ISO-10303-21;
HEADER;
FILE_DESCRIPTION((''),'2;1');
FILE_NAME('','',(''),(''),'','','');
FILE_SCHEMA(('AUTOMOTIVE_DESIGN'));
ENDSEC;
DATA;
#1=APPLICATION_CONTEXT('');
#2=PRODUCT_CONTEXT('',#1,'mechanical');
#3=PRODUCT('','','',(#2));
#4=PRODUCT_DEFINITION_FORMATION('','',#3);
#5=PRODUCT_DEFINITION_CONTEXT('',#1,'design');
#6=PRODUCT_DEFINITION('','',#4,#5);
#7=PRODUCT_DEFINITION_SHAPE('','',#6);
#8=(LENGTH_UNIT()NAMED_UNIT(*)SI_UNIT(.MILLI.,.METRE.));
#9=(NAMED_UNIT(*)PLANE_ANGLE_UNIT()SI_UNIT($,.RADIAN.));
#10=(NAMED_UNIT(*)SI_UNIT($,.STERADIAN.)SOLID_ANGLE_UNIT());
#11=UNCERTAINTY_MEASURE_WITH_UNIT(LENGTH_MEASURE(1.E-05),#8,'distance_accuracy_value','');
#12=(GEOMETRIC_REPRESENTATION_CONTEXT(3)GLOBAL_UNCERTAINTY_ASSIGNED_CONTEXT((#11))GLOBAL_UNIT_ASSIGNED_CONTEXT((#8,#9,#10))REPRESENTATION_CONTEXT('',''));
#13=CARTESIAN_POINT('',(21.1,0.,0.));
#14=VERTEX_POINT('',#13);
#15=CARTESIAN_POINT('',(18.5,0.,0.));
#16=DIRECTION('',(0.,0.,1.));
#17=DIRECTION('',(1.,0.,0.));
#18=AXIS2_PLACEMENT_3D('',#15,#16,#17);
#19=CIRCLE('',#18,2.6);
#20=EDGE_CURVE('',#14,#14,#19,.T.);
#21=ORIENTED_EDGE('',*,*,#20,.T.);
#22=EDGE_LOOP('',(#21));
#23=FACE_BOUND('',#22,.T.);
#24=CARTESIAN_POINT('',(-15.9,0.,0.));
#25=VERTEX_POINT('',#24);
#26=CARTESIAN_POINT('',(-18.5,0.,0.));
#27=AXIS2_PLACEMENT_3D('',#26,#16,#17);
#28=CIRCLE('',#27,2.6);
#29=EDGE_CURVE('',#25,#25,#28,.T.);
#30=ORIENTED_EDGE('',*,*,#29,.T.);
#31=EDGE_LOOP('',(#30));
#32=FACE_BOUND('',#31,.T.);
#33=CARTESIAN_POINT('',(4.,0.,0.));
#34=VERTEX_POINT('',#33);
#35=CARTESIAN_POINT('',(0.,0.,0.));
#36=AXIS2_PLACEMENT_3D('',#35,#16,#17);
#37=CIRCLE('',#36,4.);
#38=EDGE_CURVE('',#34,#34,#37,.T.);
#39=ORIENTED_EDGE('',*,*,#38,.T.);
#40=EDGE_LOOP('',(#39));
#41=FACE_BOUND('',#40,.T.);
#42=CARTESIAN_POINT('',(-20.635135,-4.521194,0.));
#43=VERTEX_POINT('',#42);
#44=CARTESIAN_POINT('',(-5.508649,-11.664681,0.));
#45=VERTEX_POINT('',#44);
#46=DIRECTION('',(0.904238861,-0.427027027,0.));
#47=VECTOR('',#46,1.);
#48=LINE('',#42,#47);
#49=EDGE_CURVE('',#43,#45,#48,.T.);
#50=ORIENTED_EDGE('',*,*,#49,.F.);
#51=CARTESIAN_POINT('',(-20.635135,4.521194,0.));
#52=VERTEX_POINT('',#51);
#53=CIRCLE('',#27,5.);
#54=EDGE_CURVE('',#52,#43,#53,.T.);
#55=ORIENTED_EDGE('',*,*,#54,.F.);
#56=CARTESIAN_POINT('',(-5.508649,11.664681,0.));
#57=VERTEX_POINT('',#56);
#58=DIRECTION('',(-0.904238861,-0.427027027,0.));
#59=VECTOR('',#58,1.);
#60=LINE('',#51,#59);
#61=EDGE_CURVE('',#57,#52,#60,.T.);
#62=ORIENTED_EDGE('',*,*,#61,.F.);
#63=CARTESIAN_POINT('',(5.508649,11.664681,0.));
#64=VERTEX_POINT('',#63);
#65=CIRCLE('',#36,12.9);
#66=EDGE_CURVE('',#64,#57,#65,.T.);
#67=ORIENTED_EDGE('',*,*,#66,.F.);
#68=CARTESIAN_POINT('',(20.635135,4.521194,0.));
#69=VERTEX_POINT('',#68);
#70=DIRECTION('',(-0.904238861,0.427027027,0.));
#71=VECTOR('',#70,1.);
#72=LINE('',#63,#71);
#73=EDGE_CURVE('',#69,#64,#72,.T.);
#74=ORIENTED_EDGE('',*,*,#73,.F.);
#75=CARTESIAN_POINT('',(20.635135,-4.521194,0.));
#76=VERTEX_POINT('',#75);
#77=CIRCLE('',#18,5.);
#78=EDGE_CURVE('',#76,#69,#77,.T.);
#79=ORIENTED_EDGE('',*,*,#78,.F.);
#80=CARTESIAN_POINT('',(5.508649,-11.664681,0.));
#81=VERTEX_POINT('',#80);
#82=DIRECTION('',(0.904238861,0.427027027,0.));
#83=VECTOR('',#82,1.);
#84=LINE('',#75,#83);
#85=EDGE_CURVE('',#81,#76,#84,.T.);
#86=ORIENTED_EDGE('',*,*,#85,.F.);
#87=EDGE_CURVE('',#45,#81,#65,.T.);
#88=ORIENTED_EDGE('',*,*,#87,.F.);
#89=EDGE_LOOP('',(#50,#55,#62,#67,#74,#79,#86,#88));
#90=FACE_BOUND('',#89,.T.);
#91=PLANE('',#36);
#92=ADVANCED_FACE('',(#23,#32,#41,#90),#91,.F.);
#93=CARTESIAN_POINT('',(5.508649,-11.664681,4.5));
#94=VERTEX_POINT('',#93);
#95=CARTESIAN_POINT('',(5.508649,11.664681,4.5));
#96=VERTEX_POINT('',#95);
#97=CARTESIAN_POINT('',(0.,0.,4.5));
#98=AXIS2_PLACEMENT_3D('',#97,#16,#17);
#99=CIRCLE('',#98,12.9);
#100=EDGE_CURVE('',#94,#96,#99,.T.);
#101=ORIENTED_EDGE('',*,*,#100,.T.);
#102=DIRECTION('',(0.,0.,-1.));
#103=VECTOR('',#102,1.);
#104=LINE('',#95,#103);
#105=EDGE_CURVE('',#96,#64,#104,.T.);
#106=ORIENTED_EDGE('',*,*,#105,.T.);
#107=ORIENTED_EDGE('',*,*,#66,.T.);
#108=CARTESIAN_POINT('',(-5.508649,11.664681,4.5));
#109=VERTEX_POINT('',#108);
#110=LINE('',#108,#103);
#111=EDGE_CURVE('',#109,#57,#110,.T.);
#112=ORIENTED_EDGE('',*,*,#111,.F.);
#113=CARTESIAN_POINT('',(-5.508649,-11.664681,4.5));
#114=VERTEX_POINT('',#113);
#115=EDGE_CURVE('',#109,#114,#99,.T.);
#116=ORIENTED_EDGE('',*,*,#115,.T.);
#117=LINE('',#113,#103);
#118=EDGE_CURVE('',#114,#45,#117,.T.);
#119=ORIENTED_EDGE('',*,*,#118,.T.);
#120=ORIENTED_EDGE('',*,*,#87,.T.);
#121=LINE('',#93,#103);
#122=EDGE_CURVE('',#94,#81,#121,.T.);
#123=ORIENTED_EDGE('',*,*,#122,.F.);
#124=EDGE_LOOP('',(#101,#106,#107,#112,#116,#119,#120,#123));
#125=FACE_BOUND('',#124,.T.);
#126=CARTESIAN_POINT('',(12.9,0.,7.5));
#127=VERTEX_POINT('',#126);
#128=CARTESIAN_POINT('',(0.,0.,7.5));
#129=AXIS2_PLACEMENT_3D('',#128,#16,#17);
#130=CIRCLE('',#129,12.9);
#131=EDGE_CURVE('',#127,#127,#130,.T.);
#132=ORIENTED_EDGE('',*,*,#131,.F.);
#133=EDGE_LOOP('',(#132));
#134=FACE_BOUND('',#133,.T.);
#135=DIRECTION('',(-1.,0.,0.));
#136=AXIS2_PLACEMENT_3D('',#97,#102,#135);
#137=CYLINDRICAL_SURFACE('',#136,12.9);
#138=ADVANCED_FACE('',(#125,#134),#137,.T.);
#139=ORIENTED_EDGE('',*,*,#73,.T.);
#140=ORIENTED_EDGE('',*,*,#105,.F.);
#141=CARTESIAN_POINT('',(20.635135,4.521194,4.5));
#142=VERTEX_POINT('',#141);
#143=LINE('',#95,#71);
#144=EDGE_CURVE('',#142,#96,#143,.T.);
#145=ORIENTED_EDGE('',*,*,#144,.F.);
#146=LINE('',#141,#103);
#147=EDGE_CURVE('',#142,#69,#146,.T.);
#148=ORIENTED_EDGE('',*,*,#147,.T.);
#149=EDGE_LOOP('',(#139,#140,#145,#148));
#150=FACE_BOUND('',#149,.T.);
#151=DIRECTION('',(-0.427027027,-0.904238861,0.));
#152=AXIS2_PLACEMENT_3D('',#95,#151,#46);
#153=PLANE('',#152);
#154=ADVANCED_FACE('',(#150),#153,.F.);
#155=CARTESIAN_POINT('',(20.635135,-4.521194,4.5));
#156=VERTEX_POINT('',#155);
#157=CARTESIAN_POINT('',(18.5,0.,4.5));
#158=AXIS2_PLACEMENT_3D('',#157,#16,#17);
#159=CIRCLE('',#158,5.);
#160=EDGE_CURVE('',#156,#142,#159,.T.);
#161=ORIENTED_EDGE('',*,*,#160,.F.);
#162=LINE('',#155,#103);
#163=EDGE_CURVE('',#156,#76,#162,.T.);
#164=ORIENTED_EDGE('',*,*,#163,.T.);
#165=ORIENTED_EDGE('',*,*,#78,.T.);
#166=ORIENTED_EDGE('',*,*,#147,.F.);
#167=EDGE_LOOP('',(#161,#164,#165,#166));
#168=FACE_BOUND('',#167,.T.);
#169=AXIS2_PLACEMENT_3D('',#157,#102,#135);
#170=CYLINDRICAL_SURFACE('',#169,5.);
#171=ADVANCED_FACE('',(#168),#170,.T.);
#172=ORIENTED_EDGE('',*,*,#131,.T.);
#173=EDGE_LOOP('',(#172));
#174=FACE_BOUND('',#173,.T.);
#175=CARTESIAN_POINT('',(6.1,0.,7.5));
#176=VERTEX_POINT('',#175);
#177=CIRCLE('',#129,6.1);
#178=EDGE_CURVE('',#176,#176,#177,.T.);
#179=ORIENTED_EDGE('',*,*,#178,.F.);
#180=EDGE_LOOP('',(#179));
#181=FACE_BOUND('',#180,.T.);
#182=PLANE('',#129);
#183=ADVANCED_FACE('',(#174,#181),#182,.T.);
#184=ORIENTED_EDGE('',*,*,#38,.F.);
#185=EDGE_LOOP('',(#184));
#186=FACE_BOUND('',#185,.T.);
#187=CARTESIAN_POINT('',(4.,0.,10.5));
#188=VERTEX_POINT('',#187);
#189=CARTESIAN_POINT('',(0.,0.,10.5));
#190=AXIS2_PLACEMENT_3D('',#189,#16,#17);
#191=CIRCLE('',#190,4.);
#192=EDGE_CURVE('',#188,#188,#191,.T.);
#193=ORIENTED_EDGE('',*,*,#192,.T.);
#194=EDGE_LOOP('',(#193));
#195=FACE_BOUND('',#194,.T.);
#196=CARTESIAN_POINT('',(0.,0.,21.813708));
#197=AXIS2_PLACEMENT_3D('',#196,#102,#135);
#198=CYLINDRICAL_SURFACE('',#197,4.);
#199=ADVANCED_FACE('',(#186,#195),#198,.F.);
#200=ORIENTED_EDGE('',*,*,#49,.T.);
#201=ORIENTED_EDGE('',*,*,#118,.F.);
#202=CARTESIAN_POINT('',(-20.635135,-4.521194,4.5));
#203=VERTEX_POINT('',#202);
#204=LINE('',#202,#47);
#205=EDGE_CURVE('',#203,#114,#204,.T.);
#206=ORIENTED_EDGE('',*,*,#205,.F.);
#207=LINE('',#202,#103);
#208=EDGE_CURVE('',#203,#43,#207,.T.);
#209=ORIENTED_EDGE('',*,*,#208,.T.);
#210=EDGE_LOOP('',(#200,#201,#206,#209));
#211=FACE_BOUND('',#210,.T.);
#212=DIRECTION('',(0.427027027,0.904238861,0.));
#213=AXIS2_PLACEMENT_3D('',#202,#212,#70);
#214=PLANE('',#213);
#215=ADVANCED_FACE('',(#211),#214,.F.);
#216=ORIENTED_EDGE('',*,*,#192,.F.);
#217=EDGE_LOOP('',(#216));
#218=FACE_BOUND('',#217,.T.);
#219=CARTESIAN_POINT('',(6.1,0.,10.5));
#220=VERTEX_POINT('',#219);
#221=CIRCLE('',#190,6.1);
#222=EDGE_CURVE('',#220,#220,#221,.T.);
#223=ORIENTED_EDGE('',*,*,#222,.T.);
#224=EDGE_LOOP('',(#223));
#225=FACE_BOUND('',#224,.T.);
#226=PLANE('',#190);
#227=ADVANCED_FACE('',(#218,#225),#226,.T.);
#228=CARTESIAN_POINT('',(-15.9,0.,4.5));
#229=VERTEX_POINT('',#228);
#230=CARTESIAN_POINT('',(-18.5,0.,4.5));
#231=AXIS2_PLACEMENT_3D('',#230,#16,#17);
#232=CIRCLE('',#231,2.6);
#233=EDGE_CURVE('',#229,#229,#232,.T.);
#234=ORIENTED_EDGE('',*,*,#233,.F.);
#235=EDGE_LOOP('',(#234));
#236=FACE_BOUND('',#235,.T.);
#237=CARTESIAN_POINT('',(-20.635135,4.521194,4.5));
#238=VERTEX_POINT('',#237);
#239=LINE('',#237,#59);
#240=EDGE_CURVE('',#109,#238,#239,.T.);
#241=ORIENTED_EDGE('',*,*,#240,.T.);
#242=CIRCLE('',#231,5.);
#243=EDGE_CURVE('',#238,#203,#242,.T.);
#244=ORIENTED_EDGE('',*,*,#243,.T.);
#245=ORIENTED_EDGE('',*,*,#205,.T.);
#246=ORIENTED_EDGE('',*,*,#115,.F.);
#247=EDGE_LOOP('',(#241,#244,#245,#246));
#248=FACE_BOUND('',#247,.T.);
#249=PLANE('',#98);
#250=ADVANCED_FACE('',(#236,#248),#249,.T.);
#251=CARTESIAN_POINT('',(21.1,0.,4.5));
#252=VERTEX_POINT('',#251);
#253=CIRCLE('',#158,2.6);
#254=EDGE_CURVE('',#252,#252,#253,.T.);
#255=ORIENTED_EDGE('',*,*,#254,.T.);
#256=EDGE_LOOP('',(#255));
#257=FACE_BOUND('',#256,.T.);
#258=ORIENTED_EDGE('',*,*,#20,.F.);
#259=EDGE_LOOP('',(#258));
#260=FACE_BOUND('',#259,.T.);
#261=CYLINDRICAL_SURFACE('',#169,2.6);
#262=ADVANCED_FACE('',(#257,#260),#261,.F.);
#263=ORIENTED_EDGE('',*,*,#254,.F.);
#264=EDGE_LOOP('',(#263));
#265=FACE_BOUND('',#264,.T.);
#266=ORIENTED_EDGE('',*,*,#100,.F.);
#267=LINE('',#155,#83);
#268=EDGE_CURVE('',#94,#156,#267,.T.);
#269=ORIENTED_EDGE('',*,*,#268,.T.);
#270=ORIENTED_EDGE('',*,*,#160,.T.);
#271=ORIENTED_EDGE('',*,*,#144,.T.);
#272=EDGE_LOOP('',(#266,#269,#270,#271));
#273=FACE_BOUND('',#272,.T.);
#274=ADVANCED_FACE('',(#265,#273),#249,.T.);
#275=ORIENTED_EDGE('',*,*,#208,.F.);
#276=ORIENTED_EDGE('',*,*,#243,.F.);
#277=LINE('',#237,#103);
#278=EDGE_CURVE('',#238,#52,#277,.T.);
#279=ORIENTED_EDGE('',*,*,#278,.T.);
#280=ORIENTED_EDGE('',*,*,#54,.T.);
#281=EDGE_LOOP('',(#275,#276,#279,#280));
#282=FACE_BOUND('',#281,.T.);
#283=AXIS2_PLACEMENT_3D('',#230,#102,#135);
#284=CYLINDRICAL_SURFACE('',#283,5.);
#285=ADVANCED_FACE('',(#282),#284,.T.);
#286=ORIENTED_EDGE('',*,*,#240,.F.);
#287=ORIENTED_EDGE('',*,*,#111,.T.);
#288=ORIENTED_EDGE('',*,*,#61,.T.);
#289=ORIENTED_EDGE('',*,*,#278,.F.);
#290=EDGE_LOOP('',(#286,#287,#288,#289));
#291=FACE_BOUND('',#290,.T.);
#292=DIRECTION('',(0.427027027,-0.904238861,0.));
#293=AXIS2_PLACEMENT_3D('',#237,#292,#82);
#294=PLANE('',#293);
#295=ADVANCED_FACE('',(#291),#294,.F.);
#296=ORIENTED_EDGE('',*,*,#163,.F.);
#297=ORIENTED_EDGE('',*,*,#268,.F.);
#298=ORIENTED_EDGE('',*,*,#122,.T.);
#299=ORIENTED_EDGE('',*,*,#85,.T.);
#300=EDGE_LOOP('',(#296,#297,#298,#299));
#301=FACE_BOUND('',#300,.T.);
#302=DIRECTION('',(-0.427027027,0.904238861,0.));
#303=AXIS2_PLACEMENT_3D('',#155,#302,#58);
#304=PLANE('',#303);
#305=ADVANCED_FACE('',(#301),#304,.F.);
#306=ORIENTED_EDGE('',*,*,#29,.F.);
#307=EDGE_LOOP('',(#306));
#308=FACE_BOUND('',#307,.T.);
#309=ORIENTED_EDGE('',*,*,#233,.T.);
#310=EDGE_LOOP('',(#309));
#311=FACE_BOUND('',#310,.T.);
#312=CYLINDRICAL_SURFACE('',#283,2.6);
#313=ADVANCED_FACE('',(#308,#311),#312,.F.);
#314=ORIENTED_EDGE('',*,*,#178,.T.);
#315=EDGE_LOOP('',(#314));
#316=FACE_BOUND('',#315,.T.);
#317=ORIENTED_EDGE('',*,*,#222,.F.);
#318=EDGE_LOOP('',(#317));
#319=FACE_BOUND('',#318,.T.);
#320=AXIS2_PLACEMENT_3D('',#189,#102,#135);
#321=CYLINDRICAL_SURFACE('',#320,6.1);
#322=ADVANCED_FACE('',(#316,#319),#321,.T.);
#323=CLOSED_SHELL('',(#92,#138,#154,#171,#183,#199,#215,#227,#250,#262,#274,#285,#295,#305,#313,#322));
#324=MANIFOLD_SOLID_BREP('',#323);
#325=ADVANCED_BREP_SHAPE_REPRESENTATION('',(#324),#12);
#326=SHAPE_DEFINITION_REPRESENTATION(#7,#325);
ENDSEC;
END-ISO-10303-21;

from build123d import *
from build123d.topology import SkipClean

# Parameters (mm, degrees)
SKETCH_1_R          = 2.6
EXTRUDE_1_DEPTH     = 4.5
EXTRUDE_START       = 4.5
SKETCH_2_R          = 12.9
EXTRUDE_2_DEPTH     = 3
EXTRUDE_START_2     = 7.5
SKETCH_4_R          = 6.1
EXTRUDE_3_DEPTH     = 3
SKETCH_6_R          = 4
CUT_EXTRUDE_1_DEPTH = 10.5


with BuildPart() as part:
    # 草图1 → 凸台-拉伸1 (new body)
    with BuildSketch(Plane.XY):
        with BuildLine():
            Line((-20.635135135, 4.521194306), (-5.508648649, 11.66468131))
            ThreePointArc((-5.508648649, 11.66468131), (0, 12.9), (5.508648649, 11.66468131))
            Line((5.508648649, 11.66468131), (20.635135135, 4.521194306))
            ThreePointArc((20.635135135, 4.521194306), (23.5, 0), (20.635135135, -4.521194306))
            Line((20.635135135, -4.521194306), (5.508648649, -11.66468131))
            ThreePointArc((5.508648649, -11.66468131), (0, -12.9), (-5.508648649, -11.66468131))
            Line((-5.508648649, -11.66468131), (-20.635135135, -4.521194306))
            ThreePointArc((-20.635135135, -4.521194306), (-23.5, 0), (-20.635135135, 4.521194306))
        make_face()
        with Locations((18.5, 0)):
            Circle(SKETCH_1_R, mode=Mode.SUBTRACT)
        with Locations((-18.5, 0)):
            Circle(SKETCH_1_R, mode=Mode.SUBTRACT)
    extrude(amount=EXTRUDE_1_DEPTH)

    # 草图2 → 凸台-拉伸2 (add)
    with SkipClean():  # the faces are left unmerged after this step: merging them gives an invalid solid
        with BuildSketch(Plane.XY.offset(EXTRUDE_START)):
            with Locations(Location((0, 0, 0), (0, 0, 115.279035224))):
                Circle(SKETCH_2_R)
        extrude(amount=EXTRUDE_2_DEPTH)

    # 草图4 → 凸台-拉伸3 (add)
    with SkipClean():  # the faces are left unmerged after this step: merging them gives an invalid solid
        with BuildSketch(Plane.XY.offset(EXTRUDE_START_2)):
            Circle(SKETCH_4_R)
        extrude(amount=EXTRUDE_3_DEPTH)

    # 草图6 → 切除-拉伸1 (cut)
    with SkipClean():  # the faces are left unmerged after this step: merging them gives an invalid solid
        with BuildSketch(Plane.XY):
            Circle(SKETCH_6_R)
        extrude(amount=CUT_EXTRUDE_1_DEPTH, mode=Mode.SUBTRACT)


solid = part.part
